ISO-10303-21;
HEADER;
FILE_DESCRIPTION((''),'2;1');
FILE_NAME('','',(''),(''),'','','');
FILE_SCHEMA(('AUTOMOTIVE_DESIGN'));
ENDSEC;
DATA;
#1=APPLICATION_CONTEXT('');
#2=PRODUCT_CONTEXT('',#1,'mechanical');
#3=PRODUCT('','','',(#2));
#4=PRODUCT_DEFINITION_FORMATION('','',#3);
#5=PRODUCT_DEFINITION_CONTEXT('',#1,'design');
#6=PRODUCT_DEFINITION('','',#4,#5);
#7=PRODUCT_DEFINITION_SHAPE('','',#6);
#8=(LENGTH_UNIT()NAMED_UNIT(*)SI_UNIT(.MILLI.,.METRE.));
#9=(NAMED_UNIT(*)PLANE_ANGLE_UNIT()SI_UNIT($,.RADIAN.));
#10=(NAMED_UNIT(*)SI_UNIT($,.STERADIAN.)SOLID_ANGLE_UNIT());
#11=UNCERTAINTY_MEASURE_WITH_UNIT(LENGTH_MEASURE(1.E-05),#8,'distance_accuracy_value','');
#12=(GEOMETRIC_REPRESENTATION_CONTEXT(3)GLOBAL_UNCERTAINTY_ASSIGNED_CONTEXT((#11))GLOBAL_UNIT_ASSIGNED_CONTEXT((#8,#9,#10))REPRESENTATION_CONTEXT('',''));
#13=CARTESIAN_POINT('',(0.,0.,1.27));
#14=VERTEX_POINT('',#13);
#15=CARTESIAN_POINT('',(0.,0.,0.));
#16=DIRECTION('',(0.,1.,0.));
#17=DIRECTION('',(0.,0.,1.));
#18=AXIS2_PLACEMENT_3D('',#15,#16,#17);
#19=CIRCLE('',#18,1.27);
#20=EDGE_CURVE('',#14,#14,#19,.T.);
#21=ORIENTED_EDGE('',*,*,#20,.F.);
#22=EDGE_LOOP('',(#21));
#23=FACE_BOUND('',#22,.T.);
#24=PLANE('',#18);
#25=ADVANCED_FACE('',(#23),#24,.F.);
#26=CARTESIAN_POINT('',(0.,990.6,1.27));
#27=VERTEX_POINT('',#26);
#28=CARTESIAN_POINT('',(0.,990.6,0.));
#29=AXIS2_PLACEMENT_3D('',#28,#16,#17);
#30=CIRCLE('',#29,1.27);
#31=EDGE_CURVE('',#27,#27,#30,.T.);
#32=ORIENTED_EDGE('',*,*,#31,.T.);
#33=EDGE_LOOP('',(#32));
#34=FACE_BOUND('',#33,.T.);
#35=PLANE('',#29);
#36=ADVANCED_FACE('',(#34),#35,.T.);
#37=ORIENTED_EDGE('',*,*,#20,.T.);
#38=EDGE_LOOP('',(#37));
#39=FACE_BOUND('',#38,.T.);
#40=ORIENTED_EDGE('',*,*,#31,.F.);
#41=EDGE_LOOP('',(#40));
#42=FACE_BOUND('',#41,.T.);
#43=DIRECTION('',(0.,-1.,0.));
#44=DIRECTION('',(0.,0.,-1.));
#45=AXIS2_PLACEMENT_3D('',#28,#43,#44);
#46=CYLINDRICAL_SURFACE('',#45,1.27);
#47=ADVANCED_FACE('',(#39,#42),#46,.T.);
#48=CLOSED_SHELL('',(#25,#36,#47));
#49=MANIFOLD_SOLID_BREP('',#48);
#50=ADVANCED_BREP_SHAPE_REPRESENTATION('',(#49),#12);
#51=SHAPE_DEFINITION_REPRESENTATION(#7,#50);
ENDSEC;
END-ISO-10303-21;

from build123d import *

# Parameters (mm, degrees)
SKETCH1_R           = 1.27
BOSS_EXTRUDE1_DEPTH = 990.6


with BuildPart() as part:
    # Sketch1 → Boss-Extrude1 (new body)
    with BuildSketch(Plane(origin=(0, 0, 0), x_dir=(1, 0, 0), z_dir=(0, 1, 0))):
        Circle(SKETCH1_R)
    extrude(amount=BOSS_EXTRUDE1_DEPTH)


solid = part.part
